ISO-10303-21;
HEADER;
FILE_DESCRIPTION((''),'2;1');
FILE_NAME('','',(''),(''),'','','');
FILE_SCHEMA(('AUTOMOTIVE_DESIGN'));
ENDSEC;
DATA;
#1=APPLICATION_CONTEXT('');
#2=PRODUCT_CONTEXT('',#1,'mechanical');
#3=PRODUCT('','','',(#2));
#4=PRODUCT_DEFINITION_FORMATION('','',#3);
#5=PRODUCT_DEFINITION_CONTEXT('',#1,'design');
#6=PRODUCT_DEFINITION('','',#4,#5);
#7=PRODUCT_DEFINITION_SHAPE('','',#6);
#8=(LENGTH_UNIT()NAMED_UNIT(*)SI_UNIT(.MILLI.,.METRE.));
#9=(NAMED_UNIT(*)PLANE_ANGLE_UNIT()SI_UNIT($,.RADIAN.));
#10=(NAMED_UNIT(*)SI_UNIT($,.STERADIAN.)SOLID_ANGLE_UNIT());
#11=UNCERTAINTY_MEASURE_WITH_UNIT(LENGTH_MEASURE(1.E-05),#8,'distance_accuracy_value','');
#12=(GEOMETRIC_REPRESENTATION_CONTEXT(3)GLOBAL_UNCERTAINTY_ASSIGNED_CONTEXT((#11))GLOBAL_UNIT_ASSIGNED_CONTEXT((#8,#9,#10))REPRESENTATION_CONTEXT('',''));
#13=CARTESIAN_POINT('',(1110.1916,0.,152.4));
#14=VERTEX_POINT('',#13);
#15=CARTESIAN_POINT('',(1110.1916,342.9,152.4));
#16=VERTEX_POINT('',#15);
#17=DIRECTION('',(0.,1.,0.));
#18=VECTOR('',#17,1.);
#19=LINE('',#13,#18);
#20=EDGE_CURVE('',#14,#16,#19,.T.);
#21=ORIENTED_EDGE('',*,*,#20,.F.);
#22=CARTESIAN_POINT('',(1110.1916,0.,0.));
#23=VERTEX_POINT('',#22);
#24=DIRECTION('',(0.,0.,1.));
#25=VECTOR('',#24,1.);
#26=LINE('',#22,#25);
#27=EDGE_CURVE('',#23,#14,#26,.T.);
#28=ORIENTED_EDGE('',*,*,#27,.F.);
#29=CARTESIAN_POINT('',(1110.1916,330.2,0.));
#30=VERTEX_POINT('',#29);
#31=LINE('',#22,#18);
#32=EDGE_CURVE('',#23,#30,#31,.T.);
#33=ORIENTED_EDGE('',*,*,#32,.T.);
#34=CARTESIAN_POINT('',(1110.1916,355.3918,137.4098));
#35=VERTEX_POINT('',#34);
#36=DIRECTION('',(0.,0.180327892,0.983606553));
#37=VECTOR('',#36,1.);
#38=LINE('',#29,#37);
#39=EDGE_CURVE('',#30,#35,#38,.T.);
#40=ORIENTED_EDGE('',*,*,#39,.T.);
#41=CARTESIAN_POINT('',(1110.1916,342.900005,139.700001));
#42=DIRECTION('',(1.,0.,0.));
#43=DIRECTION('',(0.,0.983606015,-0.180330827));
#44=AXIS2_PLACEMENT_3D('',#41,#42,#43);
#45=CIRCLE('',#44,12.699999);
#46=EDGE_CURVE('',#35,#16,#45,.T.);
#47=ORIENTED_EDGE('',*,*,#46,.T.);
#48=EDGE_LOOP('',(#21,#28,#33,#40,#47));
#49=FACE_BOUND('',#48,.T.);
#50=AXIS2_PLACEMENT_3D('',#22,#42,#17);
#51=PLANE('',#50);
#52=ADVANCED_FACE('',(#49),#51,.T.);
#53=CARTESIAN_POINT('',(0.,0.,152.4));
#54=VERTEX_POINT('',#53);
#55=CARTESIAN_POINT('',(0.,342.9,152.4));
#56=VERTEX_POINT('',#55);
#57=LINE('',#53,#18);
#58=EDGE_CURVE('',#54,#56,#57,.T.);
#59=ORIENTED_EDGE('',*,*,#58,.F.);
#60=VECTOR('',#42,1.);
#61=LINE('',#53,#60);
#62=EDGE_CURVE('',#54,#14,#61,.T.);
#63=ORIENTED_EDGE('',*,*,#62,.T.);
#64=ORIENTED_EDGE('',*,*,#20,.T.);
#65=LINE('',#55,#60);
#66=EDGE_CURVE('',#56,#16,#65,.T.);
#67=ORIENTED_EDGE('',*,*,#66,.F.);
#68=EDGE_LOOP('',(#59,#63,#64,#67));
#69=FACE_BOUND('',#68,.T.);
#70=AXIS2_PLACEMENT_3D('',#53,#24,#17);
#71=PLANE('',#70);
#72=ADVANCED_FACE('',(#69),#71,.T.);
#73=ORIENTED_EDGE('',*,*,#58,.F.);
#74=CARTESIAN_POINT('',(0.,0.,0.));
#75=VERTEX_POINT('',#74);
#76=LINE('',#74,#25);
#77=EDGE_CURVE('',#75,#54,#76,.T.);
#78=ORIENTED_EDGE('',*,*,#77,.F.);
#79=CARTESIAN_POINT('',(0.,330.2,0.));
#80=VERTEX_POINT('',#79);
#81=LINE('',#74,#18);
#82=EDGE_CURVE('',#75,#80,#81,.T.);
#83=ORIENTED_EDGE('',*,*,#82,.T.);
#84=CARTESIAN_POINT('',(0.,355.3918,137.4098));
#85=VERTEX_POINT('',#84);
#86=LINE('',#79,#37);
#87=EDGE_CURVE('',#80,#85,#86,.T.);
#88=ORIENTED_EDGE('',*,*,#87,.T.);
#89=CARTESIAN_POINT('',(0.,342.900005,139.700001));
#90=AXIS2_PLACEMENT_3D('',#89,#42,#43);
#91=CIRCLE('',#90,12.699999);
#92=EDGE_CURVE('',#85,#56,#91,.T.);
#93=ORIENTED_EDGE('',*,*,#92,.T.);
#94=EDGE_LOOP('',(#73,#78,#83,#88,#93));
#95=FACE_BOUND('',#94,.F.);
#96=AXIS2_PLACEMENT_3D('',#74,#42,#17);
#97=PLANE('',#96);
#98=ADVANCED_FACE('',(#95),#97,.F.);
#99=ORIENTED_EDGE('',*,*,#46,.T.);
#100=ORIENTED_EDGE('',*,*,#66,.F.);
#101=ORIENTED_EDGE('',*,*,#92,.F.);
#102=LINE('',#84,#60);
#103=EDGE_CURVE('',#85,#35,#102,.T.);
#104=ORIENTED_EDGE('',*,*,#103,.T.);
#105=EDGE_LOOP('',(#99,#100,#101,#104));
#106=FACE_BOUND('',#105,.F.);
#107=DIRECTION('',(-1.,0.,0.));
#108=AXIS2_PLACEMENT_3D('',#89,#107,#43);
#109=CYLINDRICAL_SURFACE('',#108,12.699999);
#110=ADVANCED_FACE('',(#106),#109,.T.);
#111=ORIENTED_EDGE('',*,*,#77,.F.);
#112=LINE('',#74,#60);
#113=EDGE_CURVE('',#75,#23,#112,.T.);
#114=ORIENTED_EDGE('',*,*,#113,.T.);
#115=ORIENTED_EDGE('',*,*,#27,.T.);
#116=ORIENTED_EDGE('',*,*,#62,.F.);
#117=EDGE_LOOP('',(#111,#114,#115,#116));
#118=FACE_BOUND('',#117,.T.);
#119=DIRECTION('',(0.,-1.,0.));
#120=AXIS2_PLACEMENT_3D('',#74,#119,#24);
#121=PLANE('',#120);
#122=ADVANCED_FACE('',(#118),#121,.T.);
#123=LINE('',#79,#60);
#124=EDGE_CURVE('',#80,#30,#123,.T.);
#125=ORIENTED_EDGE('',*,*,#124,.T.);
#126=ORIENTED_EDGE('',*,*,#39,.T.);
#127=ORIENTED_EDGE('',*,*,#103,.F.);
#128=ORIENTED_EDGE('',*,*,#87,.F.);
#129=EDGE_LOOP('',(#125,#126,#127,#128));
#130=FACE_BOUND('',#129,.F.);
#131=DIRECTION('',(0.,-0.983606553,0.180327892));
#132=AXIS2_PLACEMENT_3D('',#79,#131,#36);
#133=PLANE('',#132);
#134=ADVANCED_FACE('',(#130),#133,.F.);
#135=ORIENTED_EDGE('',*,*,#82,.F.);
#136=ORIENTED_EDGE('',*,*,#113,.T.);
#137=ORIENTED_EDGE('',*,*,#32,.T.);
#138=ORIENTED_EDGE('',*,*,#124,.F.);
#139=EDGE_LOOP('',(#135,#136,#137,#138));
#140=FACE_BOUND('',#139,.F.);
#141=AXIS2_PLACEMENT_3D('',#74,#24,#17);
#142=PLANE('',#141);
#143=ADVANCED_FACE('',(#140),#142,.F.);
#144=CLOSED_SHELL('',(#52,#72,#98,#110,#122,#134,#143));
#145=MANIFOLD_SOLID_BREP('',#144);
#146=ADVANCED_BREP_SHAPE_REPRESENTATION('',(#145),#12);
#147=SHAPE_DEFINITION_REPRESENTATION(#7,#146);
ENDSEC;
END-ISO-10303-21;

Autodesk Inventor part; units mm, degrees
ref_plane "YZ Plane" through (0, 0, 0) normal (1, 0, 0) x (0, 1, 0)
ref_plane "XZ Plane" through (0, 0, 0) normal (0, 1, 0) x (-1, 0, 0)
ref_plane "XY Plane" through (0, 0, 0) normal (0, 0, 1) x (1, 0, 0)
sketch "Sketch1" plane through (0, 0, 0) normal (1, 0, 0) x (0, 1, 0)
  line L0 (0, 0) -> (0, 152.4)
  line L1 (0, 0) -> (330.2, 0)
  line L2 (0, 152.4) -> (342.9, 152.4)
  line L3 (342.9, 152.4) -> (342.9, 139.7) construction
  arc A0 (355.3918, 137.4098) -> (342.9, 152.4) centre (342.9, 139.7) ccw
  line L4 (330.2, 0) -> (355.3918, 137.4098)
  dimension "d0" = 152.4
  dimension "d1" = 330.2
  dimension "d2" = 342.9
  dimension "d3" = 12.7
extrude "Extrusion1" add sketch "Sketch1" along normal blind 1110.1916
properties part number "C" material "Granite, Cut, Polished"
